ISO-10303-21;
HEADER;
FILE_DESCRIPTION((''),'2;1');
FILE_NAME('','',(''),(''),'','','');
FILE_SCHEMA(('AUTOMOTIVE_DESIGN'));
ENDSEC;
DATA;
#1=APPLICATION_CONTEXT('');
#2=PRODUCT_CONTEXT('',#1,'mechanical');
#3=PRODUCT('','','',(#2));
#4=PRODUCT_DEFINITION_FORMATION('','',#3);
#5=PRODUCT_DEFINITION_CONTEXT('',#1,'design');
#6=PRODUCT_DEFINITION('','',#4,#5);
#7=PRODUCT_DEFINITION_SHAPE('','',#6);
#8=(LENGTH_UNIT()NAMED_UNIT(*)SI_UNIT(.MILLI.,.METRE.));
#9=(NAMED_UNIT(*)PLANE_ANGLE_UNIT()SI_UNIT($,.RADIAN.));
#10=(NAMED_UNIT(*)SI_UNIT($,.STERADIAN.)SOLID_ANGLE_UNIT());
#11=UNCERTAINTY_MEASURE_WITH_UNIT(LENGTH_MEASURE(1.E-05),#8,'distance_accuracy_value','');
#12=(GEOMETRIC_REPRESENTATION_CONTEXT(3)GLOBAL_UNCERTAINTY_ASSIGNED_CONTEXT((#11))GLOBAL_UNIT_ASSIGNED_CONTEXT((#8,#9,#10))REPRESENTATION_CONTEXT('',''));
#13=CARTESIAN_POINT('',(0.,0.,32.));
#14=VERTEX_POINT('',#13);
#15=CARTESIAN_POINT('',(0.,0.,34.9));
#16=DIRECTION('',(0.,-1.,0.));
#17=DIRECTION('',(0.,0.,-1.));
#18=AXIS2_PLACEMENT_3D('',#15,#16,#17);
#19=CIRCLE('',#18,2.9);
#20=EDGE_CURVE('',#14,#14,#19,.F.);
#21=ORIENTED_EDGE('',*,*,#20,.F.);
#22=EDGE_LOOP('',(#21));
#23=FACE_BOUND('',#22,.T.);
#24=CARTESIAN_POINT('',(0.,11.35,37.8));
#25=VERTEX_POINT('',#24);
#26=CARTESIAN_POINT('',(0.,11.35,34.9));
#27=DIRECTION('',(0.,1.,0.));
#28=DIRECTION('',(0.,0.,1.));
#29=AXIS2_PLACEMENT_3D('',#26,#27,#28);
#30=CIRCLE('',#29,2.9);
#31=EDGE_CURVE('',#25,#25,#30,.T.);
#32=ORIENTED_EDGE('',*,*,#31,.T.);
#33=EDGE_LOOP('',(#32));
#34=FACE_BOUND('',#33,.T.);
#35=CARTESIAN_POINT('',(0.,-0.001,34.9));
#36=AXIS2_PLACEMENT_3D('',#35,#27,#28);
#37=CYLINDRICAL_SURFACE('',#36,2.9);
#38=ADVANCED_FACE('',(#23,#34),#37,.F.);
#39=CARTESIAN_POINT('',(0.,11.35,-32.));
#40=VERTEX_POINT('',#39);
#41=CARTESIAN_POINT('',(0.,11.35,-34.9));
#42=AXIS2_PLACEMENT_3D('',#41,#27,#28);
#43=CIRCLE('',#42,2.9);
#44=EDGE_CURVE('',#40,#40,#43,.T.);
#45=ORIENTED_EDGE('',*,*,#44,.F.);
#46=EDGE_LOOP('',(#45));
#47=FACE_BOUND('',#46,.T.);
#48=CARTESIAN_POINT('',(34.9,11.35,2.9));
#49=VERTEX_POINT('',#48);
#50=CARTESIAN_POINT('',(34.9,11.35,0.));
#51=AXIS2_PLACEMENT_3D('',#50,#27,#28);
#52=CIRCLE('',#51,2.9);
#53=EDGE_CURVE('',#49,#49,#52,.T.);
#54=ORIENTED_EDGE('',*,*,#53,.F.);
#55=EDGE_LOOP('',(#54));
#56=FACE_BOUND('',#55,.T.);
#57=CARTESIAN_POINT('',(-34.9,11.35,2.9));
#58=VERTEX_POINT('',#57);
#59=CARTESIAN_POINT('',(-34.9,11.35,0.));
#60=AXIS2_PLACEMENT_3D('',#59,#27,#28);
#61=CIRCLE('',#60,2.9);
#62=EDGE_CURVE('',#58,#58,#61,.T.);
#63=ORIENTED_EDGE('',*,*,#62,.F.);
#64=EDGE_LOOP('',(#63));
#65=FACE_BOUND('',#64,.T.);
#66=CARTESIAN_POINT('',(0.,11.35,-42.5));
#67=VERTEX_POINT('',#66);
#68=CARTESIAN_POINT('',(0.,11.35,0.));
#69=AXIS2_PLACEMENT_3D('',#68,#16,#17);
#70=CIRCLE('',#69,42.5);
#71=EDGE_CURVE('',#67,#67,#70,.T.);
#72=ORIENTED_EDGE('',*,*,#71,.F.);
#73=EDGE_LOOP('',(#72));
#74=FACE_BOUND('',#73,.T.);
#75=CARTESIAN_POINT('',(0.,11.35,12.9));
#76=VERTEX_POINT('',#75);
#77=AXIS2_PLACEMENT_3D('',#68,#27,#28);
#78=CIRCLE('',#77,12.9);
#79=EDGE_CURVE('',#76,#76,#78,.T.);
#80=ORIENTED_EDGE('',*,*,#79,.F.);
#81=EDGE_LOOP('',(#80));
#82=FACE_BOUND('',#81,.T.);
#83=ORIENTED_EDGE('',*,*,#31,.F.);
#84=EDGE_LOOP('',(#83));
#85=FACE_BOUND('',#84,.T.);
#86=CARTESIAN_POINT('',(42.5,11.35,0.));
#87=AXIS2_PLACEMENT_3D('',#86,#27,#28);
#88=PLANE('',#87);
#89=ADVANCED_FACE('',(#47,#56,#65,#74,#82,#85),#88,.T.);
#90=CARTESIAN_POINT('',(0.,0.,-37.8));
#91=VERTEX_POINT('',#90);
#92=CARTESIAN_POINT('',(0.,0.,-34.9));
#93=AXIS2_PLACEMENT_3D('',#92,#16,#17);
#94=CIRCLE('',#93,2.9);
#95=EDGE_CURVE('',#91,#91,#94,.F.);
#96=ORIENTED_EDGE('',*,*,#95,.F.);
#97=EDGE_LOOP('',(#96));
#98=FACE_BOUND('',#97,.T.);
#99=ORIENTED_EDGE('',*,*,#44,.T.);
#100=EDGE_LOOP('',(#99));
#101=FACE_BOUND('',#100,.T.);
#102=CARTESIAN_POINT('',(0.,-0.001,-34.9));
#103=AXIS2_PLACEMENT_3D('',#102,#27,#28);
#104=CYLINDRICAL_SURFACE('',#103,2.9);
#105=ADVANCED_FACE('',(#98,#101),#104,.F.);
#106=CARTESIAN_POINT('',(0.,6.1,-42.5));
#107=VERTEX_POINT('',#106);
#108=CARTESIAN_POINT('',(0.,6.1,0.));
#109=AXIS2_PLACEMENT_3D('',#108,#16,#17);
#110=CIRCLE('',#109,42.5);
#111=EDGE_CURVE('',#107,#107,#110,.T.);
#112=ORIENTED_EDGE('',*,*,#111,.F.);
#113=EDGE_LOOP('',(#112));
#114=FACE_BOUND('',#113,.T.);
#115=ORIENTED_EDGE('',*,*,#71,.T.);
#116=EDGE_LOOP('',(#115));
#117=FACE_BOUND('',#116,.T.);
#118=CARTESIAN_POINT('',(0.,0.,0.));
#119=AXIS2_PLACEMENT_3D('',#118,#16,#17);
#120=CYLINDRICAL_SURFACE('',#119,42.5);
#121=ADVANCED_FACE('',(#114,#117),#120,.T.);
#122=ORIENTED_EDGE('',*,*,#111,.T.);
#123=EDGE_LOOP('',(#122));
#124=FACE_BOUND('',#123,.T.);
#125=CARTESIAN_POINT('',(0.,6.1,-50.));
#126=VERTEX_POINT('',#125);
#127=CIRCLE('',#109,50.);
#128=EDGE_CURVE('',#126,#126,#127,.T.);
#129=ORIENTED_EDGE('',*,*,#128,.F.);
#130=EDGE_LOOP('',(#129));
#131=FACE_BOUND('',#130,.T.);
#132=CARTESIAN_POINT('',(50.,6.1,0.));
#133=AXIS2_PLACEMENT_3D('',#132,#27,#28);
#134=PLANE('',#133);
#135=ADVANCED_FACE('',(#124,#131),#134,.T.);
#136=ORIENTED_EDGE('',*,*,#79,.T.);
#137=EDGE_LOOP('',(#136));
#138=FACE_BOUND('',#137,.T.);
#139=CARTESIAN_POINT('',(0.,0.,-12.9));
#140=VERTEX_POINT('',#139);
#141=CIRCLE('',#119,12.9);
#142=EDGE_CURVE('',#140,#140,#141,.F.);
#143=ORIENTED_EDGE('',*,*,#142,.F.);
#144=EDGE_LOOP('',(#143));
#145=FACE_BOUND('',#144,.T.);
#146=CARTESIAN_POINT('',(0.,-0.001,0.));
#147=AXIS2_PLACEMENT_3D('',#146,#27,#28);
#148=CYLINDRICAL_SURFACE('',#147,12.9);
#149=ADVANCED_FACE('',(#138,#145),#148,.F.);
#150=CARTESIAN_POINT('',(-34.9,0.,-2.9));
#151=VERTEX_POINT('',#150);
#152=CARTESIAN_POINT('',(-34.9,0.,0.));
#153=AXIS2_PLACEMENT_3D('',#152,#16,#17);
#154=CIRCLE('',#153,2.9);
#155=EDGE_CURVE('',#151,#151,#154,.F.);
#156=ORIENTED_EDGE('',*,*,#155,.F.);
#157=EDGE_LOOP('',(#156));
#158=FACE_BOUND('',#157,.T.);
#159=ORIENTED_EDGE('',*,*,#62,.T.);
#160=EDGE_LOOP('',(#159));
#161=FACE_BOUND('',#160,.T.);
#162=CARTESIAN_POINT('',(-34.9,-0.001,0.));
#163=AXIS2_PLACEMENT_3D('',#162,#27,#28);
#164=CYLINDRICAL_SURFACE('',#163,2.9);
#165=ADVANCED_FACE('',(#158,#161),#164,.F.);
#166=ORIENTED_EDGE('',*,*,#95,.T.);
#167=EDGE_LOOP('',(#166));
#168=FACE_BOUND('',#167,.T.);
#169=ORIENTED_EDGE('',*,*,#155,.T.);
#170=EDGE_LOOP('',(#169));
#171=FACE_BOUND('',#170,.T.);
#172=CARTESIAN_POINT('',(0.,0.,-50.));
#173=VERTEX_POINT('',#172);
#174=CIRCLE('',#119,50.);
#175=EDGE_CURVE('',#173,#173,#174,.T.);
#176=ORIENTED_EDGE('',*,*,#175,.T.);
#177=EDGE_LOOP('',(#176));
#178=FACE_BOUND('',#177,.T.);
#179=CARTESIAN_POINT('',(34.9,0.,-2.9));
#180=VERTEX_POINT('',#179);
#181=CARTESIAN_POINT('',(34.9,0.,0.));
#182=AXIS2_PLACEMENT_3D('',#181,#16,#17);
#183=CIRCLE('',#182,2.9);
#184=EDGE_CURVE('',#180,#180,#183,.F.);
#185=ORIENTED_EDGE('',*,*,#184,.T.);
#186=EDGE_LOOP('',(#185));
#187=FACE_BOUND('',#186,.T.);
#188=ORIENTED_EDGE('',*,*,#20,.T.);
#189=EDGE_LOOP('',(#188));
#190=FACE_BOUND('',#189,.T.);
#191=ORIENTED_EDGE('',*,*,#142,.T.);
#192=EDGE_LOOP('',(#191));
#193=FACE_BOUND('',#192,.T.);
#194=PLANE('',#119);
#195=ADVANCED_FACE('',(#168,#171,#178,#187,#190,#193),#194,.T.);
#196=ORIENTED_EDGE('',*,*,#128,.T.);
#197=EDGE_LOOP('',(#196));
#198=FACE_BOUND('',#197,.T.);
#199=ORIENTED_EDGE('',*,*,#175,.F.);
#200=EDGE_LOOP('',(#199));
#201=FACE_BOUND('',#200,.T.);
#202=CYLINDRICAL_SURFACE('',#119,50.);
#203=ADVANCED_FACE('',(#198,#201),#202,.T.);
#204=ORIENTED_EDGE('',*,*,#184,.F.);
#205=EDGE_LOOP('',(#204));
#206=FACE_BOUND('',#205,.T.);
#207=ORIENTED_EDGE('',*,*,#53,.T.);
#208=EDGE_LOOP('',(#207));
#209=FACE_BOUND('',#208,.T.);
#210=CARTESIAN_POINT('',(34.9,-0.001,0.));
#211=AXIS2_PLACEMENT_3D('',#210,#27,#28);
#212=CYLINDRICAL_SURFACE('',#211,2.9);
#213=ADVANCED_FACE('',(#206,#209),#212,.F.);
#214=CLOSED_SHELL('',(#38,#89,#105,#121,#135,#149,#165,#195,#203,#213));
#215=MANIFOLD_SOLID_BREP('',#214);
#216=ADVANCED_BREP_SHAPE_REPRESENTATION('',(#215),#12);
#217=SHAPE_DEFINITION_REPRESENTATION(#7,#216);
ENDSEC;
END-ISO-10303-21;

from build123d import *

# Parameters (mm, degrees)
CUT_EXTRUDE1_REACH = 13.35
SKETCH2_R          = 12.9
SKETCH2_R_2        = 2.9


with BuildPart() as part:
    # Sketch1 → Revolve1 (revolve)
    with BuildSketch(Plane.XY):
        Polygon((0, 0), (50, 0), (50, 6.1), (42.5, 6.1), (42.5, 11.35), (0, 11.35), align=None)
    revolve(axis=Axis((0, 0, 0), (0, 1, 0)))

    # Sketch2 → Cut-Extrude1 (cut, up to next)
    with BuildSketch(Plane(origin=(0, 11.35, 0), x_dir=(1, 0, 0), z_dir=(0, 1, 0)), mode=Mode.PRIVATE) as cut_extrude1_sk1:
        Circle(SKETCH2_R)
    cut_extrude1_tool1 = extrude(cut_extrude1_sk1.sketch, amount=-CUT_EXTRUDE1_REACH, mode=Mode.PRIVATE) & part.part
    add(cut_extrude1_tool1.solids().sort_by_distance((0, 11.35, 0))[0], mode=Mode.SUBTRACT)
    # Sketch2 → Cut-Extrude1 (cut, up to next)
    with BuildSketch(Plane(origin=(0, 11.35, 0), x_dir=(1, 0, 0), z_dir=(0, 1, 0)), mode=Mode.PRIVATE) as cut_extrude1_sk2:
        with Locations((0, 34.9)):
            Circle(SKETCH2_R_2)
    cut_extrude1_tool2 = extrude(cut_extrude1_sk2.sketch, amount=-CUT_EXTRUDE1_REACH, mode=Mode.PRIVATE) & part.part
    add(cut_extrude1_tool2.solids().sort_by_distance((0, 11.35, -34.9))[0], mode=Mode.SUBTRACT)
    # Sketch2 → Cut-Extrude1 (cut, up to next)
    with BuildSketch(Plane(origin=(0, 11.35, 0), x_dir=(1, 0, 0), z_dir=(0, 1, 0)), mode=Mode.PRIVATE) as cut_extrude1_sk3:
        with Locations((34.9, 0)):
            Circle(SKETCH2_R_2)
    cut_extrude1_tool3 = extrude(cut_extrude1_sk3.sketch, amount=-CUT_EXTRUDE1_REACH, mode=Mode.PRIVATE) & part.part
    add(cut_extrude1_tool3.solids().sort_by_distance((34.9, 11.35, 0))[0], mode=Mode.SUBTRACT)
    # Sketch2 → Cut-Extrude1 (cut, up to next)
    with BuildSketch(Plane(origin=(0, 11.35, 0), x_dir=(1, 0, 0), z_dir=(0, 1, 0)), mode=Mode.PRIVATE) as cut_extrude1_sk4:
        with Locations((0, -34.9)):
            Circle(SKETCH2_R_2)
    cut_extrude1_tool4 = extrude(cut_extrude1_sk4.sketch, amount=-CUT_EXTRUDE1_REACH, mode=Mode.PRIVATE) & part.part
    add(cut_extrude1_tool4.solids().sort_by_distance((0, 11.35, 34.9))[0], mode=Mode.SUBTRACT)
    # Sketch2 → Cut-Extrude1 (cut, up to next)
    with BuildSketch(Plane(origin=(0, 11.35, 0), x_dir=(1, 0, 0), z_dir=(0, 1, 0)), mode=Mode.PRIVATE) as cut_extrude1_sk5:
        with Locations((-34.9, 0)):
            Circle(SKETCH2_R_2)
    cut_extrude1_tool5 = extrude(cut_extrude1_sk5.sketch, amount=-CUT_EXTRUDE1_REACH, mode=Mode.PRIVATE) & part.part
    add(cut_extrude1_tool5.solids().sort_by_distance((-34.9, 11.35, 0))[0], mode=Mode.SUBTRACT)


solid = part.part
